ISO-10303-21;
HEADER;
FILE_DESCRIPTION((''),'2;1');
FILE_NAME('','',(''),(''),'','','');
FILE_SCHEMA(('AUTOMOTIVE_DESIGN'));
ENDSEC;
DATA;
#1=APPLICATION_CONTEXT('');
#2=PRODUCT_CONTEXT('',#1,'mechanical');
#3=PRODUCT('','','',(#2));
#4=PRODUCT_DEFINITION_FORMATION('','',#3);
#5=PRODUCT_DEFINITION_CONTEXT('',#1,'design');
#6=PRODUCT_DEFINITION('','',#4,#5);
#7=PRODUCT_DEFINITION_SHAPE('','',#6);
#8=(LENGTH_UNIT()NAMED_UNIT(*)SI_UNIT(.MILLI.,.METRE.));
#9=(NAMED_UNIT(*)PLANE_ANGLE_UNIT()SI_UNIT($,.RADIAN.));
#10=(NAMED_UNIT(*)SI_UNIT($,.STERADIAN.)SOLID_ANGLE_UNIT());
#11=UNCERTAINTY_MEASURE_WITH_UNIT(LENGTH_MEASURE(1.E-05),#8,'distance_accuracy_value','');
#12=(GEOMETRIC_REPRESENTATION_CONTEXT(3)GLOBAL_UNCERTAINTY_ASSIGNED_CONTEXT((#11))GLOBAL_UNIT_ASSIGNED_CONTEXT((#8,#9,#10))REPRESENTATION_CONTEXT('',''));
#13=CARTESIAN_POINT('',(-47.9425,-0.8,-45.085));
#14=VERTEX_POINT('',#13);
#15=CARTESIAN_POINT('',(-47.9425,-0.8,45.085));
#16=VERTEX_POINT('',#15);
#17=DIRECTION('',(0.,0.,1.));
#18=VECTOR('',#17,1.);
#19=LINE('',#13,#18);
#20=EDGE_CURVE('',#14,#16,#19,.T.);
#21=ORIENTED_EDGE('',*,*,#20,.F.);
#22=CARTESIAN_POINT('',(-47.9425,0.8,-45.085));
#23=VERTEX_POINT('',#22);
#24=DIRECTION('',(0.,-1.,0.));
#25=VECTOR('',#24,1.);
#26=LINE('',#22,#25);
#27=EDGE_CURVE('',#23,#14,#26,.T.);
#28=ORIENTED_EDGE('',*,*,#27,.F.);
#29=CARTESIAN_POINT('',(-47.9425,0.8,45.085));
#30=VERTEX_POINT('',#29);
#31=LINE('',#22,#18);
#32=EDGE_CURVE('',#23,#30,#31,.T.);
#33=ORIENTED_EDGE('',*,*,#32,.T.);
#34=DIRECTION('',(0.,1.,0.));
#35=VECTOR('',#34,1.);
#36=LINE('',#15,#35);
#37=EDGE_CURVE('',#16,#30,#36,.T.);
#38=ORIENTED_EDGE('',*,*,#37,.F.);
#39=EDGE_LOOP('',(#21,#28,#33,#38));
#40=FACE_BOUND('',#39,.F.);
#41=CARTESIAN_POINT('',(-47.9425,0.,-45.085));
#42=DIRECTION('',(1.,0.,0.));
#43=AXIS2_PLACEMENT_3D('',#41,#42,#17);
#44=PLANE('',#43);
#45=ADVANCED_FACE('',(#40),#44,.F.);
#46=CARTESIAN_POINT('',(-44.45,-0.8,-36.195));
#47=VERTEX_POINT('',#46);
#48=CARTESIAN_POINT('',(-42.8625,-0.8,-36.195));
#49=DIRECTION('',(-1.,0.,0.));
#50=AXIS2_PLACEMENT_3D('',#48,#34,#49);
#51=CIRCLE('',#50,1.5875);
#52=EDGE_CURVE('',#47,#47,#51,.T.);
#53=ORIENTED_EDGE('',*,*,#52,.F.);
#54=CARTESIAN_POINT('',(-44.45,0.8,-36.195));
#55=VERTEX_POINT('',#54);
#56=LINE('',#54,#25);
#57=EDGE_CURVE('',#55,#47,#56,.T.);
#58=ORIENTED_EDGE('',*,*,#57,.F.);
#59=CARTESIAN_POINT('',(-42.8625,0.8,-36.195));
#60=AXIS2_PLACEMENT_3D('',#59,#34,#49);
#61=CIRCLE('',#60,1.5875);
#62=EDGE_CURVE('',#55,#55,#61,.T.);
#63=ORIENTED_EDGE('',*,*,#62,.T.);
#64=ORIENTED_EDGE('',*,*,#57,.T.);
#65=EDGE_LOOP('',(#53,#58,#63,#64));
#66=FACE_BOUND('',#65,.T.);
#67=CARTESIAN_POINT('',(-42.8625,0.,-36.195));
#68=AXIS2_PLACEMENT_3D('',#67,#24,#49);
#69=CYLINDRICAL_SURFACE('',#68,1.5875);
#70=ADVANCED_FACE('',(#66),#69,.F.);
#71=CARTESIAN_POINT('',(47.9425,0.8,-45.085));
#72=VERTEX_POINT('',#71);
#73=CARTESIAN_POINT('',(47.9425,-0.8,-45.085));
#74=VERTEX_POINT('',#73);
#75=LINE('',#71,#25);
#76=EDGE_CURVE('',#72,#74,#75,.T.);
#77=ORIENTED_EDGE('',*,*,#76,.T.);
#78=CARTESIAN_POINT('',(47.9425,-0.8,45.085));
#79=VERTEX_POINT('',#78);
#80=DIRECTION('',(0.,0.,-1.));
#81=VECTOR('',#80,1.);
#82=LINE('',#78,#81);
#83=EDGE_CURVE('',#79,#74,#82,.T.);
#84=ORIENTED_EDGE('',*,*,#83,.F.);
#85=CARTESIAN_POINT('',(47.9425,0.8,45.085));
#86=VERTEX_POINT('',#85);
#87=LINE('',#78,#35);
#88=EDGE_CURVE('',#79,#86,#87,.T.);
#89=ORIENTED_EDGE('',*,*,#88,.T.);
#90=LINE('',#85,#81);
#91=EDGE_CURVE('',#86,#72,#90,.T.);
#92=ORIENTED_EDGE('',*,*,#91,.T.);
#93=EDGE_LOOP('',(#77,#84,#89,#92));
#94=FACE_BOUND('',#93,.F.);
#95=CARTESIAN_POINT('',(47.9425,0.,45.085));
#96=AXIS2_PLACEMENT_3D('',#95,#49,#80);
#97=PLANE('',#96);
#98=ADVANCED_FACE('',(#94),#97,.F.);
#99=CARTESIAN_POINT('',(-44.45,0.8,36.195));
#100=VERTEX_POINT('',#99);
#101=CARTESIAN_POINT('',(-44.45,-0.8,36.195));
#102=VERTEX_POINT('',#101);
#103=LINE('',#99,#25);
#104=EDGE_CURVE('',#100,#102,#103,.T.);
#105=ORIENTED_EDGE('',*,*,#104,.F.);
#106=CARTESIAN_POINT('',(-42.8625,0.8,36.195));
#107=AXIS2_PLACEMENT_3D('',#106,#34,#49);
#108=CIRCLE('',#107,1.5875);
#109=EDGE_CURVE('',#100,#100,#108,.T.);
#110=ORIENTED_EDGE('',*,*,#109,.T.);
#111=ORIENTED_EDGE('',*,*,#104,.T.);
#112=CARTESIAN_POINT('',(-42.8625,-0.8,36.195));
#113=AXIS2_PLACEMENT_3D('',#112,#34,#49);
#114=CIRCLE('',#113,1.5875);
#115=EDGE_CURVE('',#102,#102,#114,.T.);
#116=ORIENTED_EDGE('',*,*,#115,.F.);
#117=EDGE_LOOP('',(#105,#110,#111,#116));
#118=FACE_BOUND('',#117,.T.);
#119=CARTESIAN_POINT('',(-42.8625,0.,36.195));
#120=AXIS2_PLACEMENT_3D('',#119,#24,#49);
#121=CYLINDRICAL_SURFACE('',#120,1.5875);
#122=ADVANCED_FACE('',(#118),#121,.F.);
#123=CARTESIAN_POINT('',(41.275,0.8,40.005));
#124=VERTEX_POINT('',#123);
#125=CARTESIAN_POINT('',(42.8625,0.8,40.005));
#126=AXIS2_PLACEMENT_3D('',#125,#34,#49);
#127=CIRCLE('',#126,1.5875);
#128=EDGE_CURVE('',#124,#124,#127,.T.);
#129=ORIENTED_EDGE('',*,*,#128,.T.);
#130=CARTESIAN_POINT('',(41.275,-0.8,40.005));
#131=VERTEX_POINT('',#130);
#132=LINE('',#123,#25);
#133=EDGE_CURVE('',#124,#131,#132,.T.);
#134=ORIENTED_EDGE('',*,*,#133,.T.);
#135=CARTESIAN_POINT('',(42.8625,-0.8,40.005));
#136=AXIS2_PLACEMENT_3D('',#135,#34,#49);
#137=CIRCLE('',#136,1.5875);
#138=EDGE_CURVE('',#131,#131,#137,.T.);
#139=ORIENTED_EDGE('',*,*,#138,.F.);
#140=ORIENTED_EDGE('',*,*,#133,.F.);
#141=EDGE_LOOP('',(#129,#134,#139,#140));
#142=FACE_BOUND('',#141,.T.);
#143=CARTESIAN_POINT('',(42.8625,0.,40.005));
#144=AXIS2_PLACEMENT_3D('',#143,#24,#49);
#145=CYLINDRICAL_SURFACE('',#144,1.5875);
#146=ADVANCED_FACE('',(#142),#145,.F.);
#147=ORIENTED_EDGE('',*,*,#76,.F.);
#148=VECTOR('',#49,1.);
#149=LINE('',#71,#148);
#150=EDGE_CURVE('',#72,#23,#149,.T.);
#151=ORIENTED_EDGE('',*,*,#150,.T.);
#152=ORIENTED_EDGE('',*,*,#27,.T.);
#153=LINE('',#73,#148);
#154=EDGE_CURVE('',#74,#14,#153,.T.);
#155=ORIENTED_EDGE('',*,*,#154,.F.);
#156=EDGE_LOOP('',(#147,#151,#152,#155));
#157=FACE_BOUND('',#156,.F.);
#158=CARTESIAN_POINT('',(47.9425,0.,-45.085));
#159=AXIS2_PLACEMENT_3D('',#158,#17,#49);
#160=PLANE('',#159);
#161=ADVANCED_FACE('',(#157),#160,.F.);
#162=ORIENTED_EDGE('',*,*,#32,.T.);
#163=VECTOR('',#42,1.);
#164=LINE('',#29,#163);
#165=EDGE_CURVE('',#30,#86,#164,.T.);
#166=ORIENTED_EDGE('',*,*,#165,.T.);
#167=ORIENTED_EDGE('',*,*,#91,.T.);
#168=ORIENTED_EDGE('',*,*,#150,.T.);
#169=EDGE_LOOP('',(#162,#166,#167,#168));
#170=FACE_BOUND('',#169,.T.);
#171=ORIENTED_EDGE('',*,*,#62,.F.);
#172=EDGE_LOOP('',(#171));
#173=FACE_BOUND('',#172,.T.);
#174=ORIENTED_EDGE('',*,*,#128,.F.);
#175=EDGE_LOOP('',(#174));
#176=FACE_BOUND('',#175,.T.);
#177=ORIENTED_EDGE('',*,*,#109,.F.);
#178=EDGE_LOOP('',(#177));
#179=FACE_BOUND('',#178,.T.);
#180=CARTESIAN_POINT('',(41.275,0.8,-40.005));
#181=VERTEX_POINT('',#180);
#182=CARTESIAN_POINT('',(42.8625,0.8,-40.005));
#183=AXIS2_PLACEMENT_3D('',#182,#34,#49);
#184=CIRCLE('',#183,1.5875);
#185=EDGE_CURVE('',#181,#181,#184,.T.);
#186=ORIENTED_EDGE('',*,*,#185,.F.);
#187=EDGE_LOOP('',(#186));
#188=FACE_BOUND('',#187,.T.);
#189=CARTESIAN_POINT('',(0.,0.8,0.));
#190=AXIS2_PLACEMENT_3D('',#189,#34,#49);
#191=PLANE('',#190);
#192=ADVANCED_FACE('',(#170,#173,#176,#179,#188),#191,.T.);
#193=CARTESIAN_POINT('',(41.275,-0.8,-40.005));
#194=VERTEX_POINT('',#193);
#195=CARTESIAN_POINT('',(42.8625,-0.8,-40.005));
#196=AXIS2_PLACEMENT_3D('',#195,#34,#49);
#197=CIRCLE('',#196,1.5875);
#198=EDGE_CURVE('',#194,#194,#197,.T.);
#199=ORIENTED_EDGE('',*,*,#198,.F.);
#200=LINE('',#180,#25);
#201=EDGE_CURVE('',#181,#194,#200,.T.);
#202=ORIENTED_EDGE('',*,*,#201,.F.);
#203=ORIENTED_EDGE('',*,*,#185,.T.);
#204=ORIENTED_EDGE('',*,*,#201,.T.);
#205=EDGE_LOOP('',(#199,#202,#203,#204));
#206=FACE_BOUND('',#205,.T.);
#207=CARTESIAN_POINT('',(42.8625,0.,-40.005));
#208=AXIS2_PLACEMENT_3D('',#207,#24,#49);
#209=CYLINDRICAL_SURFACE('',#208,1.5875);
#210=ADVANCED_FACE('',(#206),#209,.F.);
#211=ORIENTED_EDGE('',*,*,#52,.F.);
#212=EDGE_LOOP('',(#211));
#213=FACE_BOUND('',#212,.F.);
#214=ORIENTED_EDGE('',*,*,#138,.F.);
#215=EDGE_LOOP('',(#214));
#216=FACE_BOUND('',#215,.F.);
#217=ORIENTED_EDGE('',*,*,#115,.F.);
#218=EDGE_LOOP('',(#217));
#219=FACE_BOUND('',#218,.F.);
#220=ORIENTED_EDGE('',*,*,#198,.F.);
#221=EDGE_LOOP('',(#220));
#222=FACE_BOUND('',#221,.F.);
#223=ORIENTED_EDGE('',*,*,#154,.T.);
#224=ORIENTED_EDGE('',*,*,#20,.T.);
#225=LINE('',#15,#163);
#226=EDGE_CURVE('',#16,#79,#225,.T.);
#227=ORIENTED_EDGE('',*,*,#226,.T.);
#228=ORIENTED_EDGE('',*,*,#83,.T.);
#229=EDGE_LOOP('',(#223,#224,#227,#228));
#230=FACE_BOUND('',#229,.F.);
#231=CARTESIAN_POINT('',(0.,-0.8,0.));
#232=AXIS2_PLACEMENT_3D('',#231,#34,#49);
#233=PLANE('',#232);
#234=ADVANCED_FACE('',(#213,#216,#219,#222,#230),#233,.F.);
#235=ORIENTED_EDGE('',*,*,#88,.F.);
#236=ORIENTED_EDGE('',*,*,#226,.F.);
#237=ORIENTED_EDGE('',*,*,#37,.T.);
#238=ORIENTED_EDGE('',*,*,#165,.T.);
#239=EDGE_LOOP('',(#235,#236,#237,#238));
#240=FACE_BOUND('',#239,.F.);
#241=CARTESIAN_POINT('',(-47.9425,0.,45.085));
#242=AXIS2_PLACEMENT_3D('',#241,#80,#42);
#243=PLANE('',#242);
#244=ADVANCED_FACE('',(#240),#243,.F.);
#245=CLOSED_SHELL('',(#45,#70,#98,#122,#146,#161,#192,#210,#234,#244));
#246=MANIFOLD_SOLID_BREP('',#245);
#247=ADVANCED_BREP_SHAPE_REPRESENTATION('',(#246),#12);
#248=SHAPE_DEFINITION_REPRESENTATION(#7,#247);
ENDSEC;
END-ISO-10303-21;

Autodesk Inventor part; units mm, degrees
ref_plane "YZ Plane" through (0, 0, 0) normal (1, 0, 0) x (0, 1, 0)
ref_plane "XZ Plane" through (0, 0, 0) normal (0, 1, 0) x (-1, 0, 0)
ref_plane "XY Plane" through (0, 0, 0) normal (0, 0, 1) x (1, 0, 0)
sketch "Sketch1" plane through (0, 0, 0) normal (0, 1, 0) x (-1, 0, 0)
  line L0 (47.9425, 45.085) -> (-47.9425, 45.085)
  line L1 (-47.9425, 45.085) -> (-47.9425, -45.085)
  line L2 (-47.9425, -45.085) -> (47.9425, -45.085)
  line L3 (47.9425, -45.085) -> (47.9425, 45.085)
  line L4 (47.9425, 45.085) -> (-47.9425, -45.085) construction
  line L5 (-47.9425, 45.085) -> (47.9425, -45.085) construction
  circle A0 centre (42.8625, 36.195) radius 1.5875
  circle A1 centre (42.8625, -36.195) radius 1.5875
  circle A2 centre (-42.8625, -40.005) radius 1.5875
  circle A3 centre (-42.8625, 40.005) radius 1.5875
  point P0 (0, 0)
  dimension "d0" = 90.17
  dimension "d1" = 95.885
  dimension "d2" = 5.08
  dimension "d3" = 5.08
  dimension "d4" = 5.08
  dimension "d5" = 8.89
  dimension "d6" = 8.89
  dimension "d7" = 5.08
  dimension "d8" = 3.175
  dimension "d9" = 3.175
  dimension "d10" = 3.175
  dimension "d11" = 3.175
extrude "Extrusion1" add sketch "Sketch1" along normal mid plane 1.6
equation "\"d7\" = d4"
equation "\"d9\" = d8"
equation "\"d10\" = d8"
equation "\"d11\" = d8"
properties part number "PC 104 size and hole model" material "FR-4"
